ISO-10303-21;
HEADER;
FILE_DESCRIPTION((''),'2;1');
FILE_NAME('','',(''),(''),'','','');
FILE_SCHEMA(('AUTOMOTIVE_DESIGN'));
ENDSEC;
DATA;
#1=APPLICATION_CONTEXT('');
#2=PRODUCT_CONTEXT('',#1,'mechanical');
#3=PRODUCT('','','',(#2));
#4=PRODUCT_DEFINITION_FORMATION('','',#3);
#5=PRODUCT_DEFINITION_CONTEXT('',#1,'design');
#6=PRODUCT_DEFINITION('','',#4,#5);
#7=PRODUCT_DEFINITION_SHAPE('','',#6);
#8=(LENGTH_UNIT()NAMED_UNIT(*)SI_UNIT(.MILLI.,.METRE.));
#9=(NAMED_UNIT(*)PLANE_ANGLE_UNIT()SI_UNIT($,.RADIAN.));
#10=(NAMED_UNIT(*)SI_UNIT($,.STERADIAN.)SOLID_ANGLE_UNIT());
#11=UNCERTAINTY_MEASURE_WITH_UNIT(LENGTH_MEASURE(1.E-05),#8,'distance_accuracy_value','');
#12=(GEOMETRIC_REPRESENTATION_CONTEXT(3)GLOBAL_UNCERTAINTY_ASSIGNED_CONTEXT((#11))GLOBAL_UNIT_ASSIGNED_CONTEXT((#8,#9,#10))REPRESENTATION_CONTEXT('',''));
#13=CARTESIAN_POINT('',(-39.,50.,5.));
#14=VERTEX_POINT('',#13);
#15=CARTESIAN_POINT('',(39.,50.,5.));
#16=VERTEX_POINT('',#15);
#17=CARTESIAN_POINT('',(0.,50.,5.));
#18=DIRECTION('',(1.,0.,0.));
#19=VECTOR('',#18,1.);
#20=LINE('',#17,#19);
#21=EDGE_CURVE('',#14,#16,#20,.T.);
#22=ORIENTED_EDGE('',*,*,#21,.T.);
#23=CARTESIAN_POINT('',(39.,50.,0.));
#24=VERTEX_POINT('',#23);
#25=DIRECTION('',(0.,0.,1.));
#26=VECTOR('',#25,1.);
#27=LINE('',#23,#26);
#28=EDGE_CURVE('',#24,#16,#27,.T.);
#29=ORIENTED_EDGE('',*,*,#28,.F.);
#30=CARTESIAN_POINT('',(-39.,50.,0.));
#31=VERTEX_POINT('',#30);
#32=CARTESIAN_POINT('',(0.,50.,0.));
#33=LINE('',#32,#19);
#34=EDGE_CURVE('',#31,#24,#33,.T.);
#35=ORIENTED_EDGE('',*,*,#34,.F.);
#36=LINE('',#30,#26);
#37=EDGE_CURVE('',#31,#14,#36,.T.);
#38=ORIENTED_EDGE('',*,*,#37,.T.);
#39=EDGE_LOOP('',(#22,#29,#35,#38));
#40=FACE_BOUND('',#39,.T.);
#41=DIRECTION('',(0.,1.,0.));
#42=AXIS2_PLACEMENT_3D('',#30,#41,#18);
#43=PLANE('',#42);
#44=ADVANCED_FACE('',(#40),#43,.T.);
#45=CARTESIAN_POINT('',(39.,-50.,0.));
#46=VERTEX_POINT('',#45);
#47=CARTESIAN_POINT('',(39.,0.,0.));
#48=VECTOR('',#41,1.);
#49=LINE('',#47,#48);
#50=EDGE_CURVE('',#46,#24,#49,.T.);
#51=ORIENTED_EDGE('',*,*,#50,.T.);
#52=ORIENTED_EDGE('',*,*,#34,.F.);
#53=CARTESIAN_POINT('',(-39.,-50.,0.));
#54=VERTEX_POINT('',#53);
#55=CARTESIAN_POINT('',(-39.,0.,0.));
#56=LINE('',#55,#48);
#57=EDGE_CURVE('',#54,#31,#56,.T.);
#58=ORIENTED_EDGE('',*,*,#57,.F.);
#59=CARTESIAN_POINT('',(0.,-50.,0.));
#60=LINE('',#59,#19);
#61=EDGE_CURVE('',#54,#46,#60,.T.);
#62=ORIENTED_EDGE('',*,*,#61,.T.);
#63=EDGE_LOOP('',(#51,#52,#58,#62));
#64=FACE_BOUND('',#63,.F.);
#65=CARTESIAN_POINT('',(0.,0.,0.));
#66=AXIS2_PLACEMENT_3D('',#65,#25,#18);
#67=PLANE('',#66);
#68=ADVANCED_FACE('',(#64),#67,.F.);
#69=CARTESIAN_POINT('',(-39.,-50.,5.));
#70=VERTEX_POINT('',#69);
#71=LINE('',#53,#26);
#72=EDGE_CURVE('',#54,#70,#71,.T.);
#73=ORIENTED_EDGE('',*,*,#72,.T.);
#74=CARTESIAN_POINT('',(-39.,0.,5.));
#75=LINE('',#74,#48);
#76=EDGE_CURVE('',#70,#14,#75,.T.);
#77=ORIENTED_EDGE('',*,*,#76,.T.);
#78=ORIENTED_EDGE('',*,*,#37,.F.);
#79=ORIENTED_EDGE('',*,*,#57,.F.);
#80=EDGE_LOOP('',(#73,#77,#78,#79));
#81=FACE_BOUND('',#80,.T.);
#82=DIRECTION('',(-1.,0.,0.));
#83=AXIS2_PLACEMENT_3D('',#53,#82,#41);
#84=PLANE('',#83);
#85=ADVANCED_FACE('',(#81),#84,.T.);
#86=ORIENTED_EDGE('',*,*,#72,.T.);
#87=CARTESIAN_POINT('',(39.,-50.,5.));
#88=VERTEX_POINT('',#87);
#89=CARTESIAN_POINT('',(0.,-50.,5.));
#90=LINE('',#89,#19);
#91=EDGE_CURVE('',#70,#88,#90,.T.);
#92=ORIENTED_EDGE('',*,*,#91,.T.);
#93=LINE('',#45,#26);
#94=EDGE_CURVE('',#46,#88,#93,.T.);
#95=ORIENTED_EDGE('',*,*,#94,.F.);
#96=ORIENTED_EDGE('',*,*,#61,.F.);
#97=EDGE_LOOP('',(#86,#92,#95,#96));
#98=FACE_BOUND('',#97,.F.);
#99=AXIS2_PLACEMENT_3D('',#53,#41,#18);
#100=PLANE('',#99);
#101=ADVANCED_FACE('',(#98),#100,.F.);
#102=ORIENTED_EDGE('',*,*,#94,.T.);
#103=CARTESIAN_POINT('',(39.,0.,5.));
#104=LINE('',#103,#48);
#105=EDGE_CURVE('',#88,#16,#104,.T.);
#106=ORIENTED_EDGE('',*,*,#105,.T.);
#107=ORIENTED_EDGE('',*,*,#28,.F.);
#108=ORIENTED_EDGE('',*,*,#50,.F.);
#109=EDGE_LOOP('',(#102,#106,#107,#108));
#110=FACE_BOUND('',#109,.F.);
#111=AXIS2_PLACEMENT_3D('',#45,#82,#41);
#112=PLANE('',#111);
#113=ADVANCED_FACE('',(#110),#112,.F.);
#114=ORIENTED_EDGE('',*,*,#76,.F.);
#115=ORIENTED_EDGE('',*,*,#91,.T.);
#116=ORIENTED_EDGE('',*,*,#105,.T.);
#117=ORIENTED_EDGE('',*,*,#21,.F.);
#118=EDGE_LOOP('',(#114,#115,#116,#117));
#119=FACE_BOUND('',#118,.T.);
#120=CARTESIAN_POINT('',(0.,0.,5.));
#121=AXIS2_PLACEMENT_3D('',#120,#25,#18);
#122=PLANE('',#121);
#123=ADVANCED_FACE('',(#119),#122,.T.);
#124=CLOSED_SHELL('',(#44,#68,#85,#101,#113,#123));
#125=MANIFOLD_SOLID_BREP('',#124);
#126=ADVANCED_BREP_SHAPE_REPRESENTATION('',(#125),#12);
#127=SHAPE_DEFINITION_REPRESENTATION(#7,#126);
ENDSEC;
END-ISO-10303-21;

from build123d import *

# Parameters (mm, degrees)
SKETCH_W  = 78
SKETCH_H  = 100
PAD_DEPTH = 5


with BuildPart() as part:
    # Sketch → Pad (new body)
    with BuildSketch(Plane.XY):
        Rectangle(SKETCH_W, SKETCH_H)
    extrude(amount=PAD_DEPTH)


solid = part.part
